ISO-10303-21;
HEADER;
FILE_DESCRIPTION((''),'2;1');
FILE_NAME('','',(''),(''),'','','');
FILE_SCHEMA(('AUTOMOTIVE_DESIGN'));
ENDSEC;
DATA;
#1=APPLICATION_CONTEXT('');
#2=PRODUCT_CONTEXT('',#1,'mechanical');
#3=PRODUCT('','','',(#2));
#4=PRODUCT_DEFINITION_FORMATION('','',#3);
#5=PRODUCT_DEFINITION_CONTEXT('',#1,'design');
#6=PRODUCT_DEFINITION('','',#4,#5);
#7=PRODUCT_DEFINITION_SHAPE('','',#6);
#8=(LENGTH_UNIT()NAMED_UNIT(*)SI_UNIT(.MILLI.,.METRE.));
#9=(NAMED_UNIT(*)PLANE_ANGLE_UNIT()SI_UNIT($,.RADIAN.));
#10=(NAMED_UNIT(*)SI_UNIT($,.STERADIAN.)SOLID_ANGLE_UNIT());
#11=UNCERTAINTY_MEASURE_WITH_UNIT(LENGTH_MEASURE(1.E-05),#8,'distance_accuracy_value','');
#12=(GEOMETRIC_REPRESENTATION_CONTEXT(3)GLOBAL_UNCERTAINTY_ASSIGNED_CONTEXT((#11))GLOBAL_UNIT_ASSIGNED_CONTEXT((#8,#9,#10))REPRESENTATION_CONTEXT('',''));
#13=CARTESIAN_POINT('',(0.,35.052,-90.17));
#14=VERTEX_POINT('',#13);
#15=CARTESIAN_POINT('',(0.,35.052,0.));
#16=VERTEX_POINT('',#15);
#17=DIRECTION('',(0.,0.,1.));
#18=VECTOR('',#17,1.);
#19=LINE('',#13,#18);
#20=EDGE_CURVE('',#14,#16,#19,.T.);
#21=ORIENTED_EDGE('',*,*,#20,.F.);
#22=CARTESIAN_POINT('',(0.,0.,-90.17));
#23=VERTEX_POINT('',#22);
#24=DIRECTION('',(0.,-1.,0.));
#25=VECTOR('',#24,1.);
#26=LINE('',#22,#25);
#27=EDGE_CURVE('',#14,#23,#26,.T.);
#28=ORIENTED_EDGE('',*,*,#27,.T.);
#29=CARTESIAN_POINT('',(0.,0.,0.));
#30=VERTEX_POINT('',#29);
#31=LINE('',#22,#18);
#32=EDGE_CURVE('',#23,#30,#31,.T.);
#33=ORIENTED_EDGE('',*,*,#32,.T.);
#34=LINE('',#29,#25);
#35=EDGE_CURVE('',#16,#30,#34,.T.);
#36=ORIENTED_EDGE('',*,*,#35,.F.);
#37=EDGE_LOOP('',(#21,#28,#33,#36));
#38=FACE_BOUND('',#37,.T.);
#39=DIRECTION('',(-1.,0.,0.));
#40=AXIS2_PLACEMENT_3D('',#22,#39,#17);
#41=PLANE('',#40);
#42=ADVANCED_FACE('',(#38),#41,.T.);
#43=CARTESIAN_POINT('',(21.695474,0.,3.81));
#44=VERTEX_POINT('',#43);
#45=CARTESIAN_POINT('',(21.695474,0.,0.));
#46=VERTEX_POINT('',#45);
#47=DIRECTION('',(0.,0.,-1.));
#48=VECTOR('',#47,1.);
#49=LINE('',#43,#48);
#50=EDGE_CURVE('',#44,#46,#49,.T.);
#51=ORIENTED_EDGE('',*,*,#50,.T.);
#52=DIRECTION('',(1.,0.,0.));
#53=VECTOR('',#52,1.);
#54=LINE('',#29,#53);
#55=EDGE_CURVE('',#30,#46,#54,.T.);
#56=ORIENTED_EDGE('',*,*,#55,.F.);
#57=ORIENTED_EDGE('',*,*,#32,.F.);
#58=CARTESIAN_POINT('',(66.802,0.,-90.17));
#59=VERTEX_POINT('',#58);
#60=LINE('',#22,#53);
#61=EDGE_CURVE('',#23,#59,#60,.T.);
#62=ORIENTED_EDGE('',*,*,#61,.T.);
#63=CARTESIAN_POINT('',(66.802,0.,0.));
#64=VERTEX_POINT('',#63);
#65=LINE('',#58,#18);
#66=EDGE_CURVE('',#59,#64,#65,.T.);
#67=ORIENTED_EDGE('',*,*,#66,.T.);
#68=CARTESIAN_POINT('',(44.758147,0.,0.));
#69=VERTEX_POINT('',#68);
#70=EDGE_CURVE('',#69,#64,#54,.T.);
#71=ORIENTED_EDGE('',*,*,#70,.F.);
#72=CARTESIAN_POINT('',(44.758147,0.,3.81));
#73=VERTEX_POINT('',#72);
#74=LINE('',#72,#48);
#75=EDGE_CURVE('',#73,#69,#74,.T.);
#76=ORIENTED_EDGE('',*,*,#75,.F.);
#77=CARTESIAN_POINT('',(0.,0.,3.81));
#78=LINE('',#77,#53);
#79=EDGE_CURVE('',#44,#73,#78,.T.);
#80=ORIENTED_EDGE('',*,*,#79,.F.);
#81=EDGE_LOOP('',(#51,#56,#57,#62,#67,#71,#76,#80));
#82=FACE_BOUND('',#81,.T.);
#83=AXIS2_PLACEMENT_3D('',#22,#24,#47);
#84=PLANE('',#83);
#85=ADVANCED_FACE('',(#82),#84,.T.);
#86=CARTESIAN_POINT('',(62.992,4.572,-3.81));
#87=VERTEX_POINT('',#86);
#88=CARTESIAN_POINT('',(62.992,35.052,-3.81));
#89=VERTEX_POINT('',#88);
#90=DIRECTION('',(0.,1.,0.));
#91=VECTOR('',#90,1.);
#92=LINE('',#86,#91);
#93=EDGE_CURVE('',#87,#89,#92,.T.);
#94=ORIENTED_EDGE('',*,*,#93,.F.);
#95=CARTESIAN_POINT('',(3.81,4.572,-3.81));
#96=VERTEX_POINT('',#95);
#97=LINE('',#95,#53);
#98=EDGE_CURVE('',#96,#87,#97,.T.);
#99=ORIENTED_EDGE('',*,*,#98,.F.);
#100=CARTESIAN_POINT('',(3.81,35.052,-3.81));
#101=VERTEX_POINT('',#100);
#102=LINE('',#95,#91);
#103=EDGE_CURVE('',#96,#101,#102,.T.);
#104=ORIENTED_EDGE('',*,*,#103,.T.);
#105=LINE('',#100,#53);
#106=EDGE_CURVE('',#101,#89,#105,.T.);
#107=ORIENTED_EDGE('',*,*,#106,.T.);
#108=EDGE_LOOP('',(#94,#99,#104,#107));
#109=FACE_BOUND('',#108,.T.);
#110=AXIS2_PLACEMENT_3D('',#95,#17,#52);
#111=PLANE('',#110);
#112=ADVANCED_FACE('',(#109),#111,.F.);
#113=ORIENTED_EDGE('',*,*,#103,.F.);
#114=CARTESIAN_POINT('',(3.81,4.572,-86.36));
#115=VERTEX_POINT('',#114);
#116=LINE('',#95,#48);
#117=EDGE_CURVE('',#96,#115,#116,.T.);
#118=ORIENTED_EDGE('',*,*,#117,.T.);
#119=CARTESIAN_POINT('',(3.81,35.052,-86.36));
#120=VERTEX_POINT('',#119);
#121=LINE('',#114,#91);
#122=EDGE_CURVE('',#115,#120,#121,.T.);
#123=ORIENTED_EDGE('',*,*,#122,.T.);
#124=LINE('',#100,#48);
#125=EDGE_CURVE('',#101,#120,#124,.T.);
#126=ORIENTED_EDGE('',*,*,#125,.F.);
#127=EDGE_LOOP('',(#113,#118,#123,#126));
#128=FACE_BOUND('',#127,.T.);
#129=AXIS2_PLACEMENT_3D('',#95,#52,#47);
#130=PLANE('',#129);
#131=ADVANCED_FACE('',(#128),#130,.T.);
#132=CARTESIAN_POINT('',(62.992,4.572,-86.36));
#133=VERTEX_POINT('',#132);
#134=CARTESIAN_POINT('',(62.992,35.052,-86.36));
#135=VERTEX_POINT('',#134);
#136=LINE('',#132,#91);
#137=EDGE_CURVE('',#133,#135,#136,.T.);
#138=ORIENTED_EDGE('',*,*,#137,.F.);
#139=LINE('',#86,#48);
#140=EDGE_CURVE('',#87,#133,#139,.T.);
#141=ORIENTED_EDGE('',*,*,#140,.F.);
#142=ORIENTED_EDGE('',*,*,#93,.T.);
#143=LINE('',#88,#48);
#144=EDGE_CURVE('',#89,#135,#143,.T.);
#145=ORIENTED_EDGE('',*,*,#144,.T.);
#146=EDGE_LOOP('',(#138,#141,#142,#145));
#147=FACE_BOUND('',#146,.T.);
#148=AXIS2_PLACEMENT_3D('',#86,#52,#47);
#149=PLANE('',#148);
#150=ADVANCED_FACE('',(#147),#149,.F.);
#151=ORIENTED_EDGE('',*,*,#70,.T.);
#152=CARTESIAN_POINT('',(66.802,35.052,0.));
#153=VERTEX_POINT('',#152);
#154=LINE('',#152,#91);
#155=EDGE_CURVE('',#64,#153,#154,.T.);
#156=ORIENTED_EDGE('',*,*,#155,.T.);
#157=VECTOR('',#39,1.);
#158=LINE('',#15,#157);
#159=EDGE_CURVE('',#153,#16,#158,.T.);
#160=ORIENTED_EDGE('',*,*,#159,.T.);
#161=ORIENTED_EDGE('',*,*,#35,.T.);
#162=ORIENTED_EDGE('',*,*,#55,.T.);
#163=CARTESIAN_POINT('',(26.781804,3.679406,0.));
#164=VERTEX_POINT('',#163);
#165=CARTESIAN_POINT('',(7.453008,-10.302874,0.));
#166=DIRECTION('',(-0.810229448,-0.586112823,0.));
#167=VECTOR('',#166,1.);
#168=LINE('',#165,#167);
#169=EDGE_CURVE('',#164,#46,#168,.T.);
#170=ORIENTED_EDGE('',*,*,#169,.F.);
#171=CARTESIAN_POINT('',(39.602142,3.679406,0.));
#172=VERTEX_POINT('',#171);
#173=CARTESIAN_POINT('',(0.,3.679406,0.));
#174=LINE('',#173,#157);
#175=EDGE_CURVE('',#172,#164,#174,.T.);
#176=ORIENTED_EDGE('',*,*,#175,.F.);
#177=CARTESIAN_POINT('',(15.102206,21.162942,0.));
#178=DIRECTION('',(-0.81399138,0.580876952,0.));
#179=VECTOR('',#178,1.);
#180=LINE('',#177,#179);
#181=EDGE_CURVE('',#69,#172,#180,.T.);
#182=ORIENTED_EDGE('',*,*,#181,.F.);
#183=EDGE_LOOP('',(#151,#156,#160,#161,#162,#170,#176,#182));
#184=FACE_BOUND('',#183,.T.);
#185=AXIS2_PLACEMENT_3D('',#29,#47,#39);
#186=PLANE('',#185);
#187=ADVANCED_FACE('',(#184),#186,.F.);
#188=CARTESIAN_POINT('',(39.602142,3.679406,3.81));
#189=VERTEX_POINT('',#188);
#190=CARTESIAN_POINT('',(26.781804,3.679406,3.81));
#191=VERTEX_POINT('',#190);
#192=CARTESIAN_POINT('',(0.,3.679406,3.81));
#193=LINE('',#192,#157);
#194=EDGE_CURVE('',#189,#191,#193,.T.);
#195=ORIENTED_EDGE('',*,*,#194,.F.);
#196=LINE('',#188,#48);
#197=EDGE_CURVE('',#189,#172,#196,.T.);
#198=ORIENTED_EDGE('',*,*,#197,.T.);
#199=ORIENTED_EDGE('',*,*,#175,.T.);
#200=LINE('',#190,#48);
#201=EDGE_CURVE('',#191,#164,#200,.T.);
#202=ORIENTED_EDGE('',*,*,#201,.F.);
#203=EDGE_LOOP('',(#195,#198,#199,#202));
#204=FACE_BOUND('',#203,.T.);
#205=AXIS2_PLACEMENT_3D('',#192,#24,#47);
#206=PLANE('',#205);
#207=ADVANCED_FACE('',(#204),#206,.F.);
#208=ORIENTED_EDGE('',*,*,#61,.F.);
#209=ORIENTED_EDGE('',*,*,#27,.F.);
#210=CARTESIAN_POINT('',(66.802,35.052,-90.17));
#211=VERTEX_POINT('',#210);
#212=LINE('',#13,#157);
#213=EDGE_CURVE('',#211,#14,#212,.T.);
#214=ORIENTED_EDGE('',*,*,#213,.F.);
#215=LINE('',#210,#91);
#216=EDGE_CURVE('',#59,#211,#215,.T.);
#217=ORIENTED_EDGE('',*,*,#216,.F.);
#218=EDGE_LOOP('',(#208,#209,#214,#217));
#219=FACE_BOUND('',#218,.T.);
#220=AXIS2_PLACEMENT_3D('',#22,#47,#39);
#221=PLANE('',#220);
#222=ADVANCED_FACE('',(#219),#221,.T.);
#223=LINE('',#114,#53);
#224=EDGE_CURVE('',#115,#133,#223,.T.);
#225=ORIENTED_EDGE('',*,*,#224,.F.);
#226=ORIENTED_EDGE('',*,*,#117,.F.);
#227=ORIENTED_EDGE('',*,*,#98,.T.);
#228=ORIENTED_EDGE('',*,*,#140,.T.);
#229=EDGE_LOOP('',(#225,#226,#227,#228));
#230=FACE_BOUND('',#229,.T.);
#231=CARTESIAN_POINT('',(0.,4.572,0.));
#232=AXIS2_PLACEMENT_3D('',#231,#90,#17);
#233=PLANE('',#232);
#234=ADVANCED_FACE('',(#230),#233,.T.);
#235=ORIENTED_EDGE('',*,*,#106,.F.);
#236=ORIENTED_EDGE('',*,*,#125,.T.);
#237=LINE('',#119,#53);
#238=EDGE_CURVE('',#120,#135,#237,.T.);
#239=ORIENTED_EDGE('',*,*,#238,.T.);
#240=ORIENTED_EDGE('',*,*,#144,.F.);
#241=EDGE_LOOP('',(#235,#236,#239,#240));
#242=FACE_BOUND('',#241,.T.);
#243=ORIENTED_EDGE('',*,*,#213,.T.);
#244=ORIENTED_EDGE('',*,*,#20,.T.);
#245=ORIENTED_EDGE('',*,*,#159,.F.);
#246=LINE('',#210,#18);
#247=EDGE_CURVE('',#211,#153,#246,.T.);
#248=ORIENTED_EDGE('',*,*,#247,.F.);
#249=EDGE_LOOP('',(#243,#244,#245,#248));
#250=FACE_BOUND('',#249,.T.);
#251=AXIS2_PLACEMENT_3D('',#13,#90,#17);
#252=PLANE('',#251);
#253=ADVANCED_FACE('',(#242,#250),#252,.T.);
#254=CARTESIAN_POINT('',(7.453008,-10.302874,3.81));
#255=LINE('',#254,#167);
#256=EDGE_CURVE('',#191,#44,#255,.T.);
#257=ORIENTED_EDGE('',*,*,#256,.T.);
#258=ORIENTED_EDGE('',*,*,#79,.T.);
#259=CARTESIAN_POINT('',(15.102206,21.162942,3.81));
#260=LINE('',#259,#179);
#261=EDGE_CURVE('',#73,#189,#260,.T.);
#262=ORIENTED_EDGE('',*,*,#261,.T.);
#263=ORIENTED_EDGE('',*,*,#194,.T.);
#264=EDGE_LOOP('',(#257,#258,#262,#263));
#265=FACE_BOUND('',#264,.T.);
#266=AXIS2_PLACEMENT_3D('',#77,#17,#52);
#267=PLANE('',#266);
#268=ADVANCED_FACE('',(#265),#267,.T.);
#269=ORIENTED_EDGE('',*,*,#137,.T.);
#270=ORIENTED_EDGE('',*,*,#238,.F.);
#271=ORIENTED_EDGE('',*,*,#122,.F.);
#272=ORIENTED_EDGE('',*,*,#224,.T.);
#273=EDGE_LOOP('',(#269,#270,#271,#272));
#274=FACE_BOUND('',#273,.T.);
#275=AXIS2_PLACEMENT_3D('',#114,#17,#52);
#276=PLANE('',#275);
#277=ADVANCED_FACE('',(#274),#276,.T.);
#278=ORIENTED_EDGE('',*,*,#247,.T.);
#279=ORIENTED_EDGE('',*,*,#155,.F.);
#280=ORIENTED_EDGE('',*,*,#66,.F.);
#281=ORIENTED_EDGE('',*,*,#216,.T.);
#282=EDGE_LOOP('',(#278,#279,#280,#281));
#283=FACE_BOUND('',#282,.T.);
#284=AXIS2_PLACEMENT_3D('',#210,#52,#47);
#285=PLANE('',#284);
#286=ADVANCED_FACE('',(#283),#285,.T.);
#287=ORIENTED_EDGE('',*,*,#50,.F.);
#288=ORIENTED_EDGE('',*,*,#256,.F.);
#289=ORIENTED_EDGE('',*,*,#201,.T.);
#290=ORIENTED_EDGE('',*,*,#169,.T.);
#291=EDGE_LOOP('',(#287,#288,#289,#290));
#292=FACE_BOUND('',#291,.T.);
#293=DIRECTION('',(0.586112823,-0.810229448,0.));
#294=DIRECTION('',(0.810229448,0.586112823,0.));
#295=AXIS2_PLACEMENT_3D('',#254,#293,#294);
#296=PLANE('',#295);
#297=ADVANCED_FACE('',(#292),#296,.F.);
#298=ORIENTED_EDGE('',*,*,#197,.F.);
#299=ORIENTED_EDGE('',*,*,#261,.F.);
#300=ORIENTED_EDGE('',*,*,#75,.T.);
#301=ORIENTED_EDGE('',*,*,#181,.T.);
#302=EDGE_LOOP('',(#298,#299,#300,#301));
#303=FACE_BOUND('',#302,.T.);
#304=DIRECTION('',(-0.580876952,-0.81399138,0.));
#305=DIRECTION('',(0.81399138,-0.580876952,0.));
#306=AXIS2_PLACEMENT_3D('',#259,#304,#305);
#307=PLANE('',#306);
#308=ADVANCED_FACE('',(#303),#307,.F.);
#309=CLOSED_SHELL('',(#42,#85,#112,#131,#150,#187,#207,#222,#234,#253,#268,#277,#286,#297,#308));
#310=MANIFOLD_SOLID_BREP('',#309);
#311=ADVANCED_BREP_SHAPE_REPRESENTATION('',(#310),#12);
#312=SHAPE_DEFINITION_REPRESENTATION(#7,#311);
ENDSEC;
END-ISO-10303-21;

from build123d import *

# Parameters (mm, degrees)
SKETCH1_W           = 66.802
SKETCH1_H           = 35.052
BOSS_EXTRUDE1_DEPTH = 90.17
SKETCH2_W           = 59.182
SKETCH2_H           = 82.55
CUT_EXTRUDE2_DEPTH  = 30.48
BOSS_EXTRUDE2_DEPTH = 3.81


with BuildPart() as part:
    # Sketch1 → Boss-Extrude1 (new body)
    with BuildSketch(Plane.XY):
        with Locations((33.401, 17.526)):
            Rectangle(SKETCH1_W, SKETCH1_H)
    extrude(amount=-BOSS_EXTRUDE1_DEPTH)

    # Sketch2 → Cut-Extrude2 (cut)
    with BuildSketch(Plane(origin=(0, 35.052, 0), x_dir=(1, 0, 0), z_dir=(0, 1, 0))):
        with Locations((33.401, 45.085)):
            Rectangle(SKETCH2_W, SKETCH2_H)
    extrude(amount=-CUT_EXTRUDE2_DEPTH, mode=Mode.SUBTRACT)

    # Sketch3 → Boss-Extrude2 (add)
    with BuildSketch(Plane.XY):
        Polygon((26.781803903, 3.679405909), (21.695474271, 0), (33.226810629, 0), (44.758146987, 0), (39.602141606, 3.679405909), align=None)
    extrude(amount=BOSS_EXTRUDE2_DEPTH)


solid = part.part
